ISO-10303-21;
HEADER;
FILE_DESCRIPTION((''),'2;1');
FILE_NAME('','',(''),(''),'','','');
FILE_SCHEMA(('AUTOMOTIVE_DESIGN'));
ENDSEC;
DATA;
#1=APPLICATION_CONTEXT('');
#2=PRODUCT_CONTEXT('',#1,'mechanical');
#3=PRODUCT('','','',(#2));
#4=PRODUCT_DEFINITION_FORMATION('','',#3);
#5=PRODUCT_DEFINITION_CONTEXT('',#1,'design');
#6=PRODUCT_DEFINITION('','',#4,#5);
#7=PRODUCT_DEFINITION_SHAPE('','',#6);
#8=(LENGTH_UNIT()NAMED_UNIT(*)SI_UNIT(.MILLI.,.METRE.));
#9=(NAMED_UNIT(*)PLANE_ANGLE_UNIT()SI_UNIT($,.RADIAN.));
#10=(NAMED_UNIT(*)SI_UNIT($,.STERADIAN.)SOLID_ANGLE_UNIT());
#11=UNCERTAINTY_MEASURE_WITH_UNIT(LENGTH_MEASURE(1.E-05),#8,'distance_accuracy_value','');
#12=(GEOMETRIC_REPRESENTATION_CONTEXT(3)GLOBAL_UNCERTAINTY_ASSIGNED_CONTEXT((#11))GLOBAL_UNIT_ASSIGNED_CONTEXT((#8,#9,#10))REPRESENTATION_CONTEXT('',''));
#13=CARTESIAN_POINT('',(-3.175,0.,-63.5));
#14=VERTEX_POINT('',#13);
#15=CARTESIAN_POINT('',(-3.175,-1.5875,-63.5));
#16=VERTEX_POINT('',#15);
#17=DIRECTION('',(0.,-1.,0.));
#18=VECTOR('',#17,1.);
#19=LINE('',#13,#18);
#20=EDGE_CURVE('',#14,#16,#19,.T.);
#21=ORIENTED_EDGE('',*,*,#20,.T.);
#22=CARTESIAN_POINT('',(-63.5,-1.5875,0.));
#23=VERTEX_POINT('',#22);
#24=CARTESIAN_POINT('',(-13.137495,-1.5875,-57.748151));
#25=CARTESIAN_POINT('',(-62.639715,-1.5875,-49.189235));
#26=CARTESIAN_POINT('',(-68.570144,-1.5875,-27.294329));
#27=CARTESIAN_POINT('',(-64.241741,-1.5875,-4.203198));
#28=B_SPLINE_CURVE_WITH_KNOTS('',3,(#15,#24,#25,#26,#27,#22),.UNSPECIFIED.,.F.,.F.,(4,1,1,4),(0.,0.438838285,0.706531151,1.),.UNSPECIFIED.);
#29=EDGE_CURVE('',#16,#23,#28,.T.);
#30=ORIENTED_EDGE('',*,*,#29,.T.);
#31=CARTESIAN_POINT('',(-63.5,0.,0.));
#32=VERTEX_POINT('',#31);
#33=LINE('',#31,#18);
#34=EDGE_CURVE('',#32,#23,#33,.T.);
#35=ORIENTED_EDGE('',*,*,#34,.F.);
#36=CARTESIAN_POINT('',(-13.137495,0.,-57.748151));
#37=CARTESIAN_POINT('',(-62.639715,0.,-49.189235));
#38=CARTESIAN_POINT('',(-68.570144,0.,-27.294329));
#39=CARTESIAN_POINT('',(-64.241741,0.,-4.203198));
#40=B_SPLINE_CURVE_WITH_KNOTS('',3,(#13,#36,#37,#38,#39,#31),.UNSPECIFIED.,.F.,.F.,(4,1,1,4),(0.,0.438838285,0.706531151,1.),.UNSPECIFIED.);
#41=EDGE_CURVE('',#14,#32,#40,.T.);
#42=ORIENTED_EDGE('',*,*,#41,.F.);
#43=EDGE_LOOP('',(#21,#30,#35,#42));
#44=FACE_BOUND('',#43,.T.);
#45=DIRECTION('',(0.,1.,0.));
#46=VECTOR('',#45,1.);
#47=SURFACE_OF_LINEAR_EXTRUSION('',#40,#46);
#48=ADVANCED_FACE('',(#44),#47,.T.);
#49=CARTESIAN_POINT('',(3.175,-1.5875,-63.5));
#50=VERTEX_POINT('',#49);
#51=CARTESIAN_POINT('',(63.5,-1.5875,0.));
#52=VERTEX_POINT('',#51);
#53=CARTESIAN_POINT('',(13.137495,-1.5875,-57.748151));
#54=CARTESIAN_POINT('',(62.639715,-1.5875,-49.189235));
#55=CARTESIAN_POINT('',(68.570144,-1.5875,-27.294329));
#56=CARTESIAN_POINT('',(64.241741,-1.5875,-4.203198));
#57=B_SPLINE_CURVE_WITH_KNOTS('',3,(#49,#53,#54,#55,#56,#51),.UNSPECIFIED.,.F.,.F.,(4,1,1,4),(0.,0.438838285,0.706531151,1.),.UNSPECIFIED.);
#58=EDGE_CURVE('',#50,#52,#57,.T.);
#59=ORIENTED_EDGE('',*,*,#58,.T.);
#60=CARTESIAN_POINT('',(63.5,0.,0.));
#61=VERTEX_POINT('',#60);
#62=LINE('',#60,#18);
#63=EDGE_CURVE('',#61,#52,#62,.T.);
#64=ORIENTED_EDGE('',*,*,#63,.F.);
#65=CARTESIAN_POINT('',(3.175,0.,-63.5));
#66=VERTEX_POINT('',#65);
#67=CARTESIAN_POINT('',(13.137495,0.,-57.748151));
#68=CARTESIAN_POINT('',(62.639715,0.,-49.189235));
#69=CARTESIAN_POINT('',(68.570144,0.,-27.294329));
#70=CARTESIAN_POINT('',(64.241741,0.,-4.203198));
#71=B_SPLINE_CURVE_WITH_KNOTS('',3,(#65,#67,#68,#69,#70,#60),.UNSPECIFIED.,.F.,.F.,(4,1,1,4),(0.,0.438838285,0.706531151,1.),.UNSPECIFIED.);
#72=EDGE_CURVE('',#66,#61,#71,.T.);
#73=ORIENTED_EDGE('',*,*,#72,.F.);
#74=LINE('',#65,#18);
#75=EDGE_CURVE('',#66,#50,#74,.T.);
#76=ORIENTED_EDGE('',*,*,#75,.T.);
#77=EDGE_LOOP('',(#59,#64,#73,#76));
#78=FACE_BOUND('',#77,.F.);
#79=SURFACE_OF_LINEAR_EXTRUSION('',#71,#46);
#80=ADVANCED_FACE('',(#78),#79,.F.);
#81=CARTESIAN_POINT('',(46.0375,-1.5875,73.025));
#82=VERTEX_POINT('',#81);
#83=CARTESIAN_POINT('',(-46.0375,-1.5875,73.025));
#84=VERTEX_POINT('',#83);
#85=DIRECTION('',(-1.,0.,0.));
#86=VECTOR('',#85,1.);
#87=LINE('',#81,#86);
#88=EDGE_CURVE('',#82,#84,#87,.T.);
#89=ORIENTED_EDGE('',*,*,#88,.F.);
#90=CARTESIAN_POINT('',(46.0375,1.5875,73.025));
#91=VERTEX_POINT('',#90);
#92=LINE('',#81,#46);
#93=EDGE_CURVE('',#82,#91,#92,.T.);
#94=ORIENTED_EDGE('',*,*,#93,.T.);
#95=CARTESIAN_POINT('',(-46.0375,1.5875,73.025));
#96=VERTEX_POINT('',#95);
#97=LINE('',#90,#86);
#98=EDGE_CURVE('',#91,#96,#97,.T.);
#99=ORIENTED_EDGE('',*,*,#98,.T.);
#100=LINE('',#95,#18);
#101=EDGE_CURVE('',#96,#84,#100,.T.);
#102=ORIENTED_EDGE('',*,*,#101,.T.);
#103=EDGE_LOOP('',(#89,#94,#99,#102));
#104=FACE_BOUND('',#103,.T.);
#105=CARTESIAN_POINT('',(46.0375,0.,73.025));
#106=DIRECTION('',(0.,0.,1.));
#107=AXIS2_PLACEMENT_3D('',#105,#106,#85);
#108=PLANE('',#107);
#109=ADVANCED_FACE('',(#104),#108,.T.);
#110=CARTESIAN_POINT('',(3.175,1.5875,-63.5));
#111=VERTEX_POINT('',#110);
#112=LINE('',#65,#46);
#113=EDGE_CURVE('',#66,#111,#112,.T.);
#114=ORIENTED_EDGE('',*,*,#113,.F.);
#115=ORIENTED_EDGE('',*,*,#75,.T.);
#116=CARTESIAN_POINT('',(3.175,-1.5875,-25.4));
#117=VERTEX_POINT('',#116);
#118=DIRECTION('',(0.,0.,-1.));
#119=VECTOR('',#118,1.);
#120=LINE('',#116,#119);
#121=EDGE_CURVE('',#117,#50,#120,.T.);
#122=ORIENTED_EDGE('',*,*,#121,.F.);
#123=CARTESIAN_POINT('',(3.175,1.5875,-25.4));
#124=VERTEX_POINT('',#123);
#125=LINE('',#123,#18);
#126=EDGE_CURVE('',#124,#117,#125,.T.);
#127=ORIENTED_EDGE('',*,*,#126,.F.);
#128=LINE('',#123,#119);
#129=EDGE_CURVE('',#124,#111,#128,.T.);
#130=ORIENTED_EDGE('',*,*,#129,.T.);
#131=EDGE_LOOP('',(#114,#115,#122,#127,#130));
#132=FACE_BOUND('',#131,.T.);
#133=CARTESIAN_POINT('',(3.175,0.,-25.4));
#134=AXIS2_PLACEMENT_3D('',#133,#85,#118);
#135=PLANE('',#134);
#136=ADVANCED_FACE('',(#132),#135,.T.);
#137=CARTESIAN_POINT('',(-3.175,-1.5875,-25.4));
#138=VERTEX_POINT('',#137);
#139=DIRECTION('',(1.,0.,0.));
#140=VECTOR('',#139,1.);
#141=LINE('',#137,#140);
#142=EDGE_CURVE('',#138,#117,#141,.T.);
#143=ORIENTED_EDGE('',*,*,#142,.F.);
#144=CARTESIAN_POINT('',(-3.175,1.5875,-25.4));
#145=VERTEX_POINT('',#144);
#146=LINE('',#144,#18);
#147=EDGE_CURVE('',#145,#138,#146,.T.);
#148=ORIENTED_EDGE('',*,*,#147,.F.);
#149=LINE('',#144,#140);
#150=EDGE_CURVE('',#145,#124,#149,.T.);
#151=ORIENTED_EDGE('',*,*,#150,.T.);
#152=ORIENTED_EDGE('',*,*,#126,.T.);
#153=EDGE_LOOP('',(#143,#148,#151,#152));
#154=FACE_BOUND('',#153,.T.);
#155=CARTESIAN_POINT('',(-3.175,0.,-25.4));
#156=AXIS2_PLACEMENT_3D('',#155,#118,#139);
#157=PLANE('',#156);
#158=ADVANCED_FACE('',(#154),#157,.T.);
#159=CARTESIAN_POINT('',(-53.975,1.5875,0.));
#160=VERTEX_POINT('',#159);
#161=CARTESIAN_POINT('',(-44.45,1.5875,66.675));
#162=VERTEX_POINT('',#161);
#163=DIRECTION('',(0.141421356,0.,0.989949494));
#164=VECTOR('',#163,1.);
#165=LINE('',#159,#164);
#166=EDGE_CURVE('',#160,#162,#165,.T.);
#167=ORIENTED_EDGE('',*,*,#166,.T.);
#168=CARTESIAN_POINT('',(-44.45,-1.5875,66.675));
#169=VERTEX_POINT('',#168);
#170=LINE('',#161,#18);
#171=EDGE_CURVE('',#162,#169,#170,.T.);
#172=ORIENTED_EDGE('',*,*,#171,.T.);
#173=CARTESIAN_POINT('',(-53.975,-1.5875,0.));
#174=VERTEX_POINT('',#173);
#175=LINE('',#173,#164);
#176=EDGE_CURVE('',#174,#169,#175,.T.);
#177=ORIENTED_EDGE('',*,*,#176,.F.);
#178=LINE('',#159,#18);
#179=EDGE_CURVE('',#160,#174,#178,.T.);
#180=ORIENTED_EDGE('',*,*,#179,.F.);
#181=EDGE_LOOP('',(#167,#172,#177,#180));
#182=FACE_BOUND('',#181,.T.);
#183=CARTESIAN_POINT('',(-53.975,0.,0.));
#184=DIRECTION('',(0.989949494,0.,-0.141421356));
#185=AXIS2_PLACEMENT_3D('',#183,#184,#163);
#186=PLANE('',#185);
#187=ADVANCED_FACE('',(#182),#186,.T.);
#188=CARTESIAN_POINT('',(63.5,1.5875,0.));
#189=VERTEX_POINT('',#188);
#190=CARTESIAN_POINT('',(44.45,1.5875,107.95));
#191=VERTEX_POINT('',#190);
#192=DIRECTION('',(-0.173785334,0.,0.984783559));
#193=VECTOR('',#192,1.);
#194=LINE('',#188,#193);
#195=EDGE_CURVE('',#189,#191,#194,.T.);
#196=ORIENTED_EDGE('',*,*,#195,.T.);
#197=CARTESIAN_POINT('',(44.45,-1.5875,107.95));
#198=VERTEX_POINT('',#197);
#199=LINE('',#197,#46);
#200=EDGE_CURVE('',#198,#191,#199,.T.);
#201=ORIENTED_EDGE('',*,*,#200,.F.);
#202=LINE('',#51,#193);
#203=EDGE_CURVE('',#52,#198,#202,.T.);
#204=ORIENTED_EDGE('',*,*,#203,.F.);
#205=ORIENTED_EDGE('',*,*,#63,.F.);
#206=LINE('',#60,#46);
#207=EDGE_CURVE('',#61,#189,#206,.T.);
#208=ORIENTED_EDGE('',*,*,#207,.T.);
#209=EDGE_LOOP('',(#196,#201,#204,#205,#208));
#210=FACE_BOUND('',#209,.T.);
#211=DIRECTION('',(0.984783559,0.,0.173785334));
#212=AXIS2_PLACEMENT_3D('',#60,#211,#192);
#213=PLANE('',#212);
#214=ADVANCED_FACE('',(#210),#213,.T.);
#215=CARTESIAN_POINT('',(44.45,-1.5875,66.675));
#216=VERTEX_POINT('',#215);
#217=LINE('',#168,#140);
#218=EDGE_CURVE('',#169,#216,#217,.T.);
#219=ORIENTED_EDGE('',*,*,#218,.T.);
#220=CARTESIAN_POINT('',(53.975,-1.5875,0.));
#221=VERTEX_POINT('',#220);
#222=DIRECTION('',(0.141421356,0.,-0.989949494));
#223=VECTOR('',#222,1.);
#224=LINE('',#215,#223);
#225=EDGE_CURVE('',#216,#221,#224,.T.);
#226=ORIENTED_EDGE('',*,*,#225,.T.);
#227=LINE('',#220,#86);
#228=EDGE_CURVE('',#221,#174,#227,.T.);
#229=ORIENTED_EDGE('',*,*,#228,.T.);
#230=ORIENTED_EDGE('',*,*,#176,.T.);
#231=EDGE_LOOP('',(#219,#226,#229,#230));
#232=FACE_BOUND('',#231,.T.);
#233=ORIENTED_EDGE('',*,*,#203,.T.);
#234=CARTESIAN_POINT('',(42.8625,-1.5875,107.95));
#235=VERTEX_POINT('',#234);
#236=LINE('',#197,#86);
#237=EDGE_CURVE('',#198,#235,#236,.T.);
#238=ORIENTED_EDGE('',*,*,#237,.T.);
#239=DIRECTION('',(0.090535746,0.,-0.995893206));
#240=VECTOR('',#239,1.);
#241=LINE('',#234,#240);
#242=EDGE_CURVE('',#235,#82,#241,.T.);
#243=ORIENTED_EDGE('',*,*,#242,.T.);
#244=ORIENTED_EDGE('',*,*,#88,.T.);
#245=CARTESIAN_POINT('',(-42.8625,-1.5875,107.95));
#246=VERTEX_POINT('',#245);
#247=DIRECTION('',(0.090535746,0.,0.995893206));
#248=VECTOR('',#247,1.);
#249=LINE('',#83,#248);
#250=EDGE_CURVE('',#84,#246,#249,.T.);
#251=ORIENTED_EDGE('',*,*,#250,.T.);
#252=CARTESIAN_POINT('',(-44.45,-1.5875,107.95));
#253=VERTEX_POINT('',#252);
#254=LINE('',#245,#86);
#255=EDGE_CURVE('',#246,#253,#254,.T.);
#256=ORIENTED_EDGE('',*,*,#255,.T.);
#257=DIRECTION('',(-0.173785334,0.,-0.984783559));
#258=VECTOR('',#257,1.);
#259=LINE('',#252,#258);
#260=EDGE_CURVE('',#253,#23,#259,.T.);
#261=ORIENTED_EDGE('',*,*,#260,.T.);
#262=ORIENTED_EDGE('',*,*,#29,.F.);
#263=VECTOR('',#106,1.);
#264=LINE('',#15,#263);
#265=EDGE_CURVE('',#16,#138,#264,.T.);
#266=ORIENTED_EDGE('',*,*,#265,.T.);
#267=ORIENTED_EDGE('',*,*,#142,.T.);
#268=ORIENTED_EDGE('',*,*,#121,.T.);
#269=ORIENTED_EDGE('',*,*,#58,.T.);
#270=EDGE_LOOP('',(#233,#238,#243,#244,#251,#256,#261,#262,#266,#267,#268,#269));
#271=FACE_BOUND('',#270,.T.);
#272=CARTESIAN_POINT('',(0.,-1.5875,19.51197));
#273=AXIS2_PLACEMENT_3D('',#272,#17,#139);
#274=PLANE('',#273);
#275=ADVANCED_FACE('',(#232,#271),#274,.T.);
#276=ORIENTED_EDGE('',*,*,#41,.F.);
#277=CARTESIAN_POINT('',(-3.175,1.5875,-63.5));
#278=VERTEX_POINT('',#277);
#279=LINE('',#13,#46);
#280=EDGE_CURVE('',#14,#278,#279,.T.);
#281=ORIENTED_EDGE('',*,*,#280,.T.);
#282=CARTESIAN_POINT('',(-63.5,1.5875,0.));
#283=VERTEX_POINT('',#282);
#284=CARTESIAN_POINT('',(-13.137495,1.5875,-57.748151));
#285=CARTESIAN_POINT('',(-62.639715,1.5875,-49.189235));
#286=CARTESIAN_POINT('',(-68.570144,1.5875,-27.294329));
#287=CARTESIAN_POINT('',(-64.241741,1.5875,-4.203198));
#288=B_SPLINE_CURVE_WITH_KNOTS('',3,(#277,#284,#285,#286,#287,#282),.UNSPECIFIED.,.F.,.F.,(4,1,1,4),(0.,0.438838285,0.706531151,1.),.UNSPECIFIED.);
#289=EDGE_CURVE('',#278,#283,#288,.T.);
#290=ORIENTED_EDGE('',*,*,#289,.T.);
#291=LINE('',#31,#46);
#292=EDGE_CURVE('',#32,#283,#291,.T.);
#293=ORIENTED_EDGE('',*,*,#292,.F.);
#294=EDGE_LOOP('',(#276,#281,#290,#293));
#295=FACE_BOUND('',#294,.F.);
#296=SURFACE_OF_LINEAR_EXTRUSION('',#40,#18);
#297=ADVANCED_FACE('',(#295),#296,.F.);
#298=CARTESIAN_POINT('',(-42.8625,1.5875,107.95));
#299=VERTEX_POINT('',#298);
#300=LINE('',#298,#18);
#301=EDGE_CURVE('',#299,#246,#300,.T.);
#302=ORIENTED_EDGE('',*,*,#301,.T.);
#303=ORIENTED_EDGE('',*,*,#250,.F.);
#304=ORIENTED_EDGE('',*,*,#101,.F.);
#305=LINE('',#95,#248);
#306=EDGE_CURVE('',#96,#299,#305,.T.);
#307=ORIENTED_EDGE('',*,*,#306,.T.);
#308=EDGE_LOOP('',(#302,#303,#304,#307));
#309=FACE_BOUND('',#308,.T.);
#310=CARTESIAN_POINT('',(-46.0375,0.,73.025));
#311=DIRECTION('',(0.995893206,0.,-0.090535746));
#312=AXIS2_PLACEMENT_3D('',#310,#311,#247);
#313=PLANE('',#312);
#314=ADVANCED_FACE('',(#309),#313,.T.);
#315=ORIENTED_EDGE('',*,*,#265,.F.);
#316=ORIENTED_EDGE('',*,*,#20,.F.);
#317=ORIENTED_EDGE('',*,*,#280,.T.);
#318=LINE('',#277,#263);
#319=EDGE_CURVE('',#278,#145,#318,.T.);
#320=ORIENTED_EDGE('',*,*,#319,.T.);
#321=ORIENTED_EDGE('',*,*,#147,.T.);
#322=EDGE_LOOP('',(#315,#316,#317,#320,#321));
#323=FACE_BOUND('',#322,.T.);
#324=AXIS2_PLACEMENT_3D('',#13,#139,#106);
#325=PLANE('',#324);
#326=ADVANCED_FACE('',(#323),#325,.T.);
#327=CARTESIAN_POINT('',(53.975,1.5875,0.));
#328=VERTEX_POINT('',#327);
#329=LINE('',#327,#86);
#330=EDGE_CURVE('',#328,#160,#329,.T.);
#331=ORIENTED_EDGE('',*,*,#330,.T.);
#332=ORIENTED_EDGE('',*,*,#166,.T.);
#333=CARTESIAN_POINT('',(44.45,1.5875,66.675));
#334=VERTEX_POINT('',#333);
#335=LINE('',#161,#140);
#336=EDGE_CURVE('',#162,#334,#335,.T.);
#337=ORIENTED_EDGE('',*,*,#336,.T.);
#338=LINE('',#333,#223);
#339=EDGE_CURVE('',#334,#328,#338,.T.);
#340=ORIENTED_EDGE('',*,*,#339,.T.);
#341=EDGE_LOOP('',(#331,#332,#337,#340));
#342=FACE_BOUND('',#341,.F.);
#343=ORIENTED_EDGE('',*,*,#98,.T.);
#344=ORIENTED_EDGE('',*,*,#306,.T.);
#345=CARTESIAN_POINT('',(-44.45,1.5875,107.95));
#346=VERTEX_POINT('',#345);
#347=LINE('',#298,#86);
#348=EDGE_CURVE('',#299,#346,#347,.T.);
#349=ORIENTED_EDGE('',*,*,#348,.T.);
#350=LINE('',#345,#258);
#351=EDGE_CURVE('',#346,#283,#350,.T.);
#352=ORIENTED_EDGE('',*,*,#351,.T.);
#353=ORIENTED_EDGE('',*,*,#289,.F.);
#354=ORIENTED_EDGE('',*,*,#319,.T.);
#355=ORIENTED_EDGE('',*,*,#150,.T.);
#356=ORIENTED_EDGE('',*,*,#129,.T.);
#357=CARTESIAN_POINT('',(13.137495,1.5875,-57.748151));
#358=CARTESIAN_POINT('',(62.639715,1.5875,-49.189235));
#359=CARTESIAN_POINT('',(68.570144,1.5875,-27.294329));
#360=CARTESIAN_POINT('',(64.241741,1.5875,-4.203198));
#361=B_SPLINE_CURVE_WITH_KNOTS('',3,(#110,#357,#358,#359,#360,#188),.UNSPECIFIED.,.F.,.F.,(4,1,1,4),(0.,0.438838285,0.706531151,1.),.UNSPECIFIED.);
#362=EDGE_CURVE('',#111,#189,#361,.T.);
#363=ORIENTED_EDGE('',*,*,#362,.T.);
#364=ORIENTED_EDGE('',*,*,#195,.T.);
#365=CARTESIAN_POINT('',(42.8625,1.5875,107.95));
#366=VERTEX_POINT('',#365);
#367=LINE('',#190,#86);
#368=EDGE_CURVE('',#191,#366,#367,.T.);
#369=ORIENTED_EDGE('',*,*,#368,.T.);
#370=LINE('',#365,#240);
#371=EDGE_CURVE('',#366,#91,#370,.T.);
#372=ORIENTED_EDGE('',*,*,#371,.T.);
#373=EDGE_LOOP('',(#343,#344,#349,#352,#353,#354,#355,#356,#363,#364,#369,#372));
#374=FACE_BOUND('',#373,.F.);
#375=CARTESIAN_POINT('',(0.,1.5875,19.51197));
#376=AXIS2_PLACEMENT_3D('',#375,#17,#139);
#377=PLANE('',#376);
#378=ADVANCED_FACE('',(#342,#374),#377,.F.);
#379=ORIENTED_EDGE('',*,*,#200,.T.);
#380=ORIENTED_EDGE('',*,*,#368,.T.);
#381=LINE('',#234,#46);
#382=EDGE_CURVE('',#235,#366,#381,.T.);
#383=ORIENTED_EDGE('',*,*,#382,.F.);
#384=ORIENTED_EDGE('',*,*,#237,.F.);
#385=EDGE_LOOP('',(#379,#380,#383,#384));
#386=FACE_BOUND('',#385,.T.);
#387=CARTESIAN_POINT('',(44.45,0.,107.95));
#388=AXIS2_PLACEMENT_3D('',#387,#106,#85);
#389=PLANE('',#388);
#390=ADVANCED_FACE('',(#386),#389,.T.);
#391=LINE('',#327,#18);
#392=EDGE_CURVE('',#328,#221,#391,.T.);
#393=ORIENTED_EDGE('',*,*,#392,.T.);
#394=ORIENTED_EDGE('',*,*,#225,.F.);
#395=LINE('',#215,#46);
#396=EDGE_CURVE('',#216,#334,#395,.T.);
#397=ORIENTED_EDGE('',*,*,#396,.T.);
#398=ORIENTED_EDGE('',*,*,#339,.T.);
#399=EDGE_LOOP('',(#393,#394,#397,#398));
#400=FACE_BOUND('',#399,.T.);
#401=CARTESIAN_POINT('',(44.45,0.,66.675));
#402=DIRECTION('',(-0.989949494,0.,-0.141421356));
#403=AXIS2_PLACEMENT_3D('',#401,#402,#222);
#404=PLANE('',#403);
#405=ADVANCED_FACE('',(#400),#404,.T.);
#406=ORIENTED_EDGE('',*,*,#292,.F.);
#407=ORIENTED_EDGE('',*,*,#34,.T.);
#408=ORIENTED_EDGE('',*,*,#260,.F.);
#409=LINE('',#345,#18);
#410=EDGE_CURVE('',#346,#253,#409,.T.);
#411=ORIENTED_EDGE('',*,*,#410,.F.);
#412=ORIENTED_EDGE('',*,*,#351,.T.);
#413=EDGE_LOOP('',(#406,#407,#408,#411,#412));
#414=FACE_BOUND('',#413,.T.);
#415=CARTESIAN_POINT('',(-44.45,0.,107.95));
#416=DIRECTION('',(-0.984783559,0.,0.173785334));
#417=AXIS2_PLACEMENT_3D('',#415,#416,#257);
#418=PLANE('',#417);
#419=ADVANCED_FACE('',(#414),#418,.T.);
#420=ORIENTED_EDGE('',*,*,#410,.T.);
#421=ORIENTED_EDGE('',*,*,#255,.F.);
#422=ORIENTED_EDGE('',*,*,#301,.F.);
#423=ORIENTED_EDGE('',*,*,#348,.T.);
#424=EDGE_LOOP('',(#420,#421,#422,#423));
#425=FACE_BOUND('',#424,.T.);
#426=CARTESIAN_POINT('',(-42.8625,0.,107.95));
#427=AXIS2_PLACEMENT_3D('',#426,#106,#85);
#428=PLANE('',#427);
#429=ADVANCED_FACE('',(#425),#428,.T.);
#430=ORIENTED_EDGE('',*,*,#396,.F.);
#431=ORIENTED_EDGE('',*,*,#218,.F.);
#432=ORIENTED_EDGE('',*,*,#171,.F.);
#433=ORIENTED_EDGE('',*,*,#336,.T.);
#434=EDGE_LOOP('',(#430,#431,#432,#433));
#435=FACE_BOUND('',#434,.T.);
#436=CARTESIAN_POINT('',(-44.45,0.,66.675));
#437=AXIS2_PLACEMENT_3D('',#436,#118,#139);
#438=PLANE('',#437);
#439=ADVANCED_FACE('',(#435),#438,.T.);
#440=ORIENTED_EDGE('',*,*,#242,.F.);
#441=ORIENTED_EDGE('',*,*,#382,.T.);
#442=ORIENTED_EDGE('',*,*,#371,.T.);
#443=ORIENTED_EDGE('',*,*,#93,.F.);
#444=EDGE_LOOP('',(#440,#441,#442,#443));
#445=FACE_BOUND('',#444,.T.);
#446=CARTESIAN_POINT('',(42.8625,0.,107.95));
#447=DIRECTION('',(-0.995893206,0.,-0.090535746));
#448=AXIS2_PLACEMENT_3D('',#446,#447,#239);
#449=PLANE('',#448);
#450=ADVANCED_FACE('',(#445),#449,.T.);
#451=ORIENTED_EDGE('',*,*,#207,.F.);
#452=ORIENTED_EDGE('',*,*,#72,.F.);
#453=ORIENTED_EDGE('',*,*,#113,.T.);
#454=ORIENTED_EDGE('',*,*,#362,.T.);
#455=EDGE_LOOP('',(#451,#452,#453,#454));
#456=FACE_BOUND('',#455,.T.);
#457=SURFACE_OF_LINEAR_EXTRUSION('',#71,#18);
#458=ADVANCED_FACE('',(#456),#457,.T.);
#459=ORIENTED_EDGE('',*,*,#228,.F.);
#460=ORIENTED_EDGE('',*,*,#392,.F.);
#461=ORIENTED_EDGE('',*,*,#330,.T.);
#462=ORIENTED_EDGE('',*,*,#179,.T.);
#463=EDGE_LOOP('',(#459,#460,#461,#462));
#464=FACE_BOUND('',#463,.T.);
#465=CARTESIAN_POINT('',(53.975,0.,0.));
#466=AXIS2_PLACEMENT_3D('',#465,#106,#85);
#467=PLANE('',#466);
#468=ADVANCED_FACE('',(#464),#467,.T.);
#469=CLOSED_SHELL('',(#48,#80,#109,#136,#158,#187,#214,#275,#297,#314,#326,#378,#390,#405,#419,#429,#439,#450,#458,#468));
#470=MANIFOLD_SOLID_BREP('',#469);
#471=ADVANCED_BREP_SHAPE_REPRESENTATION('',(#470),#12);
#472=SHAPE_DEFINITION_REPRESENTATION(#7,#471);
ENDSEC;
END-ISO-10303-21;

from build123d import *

# Parameters (mm, degrees)
F1_DEPTH = 1.5875


with BuildPart() as f1:
    # F0 (on Front) → F1 (new body, symmetric)
    with BuildSketch(Plane.XZ):
        with BuildLine():
            Line((46.0375, 73.025), (0, 73.025))
            Line((0, 73.025), (-46.0375, 73.025))
            Line((-46.0375, 73.025), (-42.8625, 107.95))
            Line((-42.8625, 107.95), (-44.45, 107.95))
            Line((-44.45, 107.95), (-63.5, 0))
            add(Edge.make_bspline(
                [(-3.175, -63.5), (-13.1374953938, -57.7481506026), (-62.6397148621, -49.189235498), (-68.5701443256, -27.2943294086), (-64.2417408017, -4.2031978762), (-63.5, 0)],
                knots=[0, 0, 0, 0, 0.4388382852, 0.7065311513, 1, 1, 1, 1], degree=3))
            Line((-3.175, -63.5), (-3.175, -25.4))
            Line((-3.175, -25.4), (0, -25.4))
            Line((0, -25.4), (3.175, -25.4))
            Line((3.175, -25.4), (3.175, -63.5))
            add(Edge.make_bspline(
                [(3.175, -63.5), (13.1374953938, -57.7481506026), (62.6397148621, -49.189235498), (68.5701443256, -27.2943294086), (64.2417408017, -4.2031978762), (63.5, 0)],
                knots=[0, 0, 0, 0, 0.4388382852, 0.7065311513, 1, 1, 1, 1], degree=3))
            Line((63.5, 0), (44.45, 107.95))
            Line((44.45, 107.95), (42.8625, 107.95))
            Line((42.8625, 107.95), (46.0375, 73.025))
        make_face()
        Polygon((53.975, 0), (0, 0), (-53.975, 0), (-44.45, 66.675), (0, 66.675), (44.45, 66.675), align=None, mode=Mode.SUBTRACT)
    extrude(amount=F1_DEPTH, both=True)


solid = f1.part
